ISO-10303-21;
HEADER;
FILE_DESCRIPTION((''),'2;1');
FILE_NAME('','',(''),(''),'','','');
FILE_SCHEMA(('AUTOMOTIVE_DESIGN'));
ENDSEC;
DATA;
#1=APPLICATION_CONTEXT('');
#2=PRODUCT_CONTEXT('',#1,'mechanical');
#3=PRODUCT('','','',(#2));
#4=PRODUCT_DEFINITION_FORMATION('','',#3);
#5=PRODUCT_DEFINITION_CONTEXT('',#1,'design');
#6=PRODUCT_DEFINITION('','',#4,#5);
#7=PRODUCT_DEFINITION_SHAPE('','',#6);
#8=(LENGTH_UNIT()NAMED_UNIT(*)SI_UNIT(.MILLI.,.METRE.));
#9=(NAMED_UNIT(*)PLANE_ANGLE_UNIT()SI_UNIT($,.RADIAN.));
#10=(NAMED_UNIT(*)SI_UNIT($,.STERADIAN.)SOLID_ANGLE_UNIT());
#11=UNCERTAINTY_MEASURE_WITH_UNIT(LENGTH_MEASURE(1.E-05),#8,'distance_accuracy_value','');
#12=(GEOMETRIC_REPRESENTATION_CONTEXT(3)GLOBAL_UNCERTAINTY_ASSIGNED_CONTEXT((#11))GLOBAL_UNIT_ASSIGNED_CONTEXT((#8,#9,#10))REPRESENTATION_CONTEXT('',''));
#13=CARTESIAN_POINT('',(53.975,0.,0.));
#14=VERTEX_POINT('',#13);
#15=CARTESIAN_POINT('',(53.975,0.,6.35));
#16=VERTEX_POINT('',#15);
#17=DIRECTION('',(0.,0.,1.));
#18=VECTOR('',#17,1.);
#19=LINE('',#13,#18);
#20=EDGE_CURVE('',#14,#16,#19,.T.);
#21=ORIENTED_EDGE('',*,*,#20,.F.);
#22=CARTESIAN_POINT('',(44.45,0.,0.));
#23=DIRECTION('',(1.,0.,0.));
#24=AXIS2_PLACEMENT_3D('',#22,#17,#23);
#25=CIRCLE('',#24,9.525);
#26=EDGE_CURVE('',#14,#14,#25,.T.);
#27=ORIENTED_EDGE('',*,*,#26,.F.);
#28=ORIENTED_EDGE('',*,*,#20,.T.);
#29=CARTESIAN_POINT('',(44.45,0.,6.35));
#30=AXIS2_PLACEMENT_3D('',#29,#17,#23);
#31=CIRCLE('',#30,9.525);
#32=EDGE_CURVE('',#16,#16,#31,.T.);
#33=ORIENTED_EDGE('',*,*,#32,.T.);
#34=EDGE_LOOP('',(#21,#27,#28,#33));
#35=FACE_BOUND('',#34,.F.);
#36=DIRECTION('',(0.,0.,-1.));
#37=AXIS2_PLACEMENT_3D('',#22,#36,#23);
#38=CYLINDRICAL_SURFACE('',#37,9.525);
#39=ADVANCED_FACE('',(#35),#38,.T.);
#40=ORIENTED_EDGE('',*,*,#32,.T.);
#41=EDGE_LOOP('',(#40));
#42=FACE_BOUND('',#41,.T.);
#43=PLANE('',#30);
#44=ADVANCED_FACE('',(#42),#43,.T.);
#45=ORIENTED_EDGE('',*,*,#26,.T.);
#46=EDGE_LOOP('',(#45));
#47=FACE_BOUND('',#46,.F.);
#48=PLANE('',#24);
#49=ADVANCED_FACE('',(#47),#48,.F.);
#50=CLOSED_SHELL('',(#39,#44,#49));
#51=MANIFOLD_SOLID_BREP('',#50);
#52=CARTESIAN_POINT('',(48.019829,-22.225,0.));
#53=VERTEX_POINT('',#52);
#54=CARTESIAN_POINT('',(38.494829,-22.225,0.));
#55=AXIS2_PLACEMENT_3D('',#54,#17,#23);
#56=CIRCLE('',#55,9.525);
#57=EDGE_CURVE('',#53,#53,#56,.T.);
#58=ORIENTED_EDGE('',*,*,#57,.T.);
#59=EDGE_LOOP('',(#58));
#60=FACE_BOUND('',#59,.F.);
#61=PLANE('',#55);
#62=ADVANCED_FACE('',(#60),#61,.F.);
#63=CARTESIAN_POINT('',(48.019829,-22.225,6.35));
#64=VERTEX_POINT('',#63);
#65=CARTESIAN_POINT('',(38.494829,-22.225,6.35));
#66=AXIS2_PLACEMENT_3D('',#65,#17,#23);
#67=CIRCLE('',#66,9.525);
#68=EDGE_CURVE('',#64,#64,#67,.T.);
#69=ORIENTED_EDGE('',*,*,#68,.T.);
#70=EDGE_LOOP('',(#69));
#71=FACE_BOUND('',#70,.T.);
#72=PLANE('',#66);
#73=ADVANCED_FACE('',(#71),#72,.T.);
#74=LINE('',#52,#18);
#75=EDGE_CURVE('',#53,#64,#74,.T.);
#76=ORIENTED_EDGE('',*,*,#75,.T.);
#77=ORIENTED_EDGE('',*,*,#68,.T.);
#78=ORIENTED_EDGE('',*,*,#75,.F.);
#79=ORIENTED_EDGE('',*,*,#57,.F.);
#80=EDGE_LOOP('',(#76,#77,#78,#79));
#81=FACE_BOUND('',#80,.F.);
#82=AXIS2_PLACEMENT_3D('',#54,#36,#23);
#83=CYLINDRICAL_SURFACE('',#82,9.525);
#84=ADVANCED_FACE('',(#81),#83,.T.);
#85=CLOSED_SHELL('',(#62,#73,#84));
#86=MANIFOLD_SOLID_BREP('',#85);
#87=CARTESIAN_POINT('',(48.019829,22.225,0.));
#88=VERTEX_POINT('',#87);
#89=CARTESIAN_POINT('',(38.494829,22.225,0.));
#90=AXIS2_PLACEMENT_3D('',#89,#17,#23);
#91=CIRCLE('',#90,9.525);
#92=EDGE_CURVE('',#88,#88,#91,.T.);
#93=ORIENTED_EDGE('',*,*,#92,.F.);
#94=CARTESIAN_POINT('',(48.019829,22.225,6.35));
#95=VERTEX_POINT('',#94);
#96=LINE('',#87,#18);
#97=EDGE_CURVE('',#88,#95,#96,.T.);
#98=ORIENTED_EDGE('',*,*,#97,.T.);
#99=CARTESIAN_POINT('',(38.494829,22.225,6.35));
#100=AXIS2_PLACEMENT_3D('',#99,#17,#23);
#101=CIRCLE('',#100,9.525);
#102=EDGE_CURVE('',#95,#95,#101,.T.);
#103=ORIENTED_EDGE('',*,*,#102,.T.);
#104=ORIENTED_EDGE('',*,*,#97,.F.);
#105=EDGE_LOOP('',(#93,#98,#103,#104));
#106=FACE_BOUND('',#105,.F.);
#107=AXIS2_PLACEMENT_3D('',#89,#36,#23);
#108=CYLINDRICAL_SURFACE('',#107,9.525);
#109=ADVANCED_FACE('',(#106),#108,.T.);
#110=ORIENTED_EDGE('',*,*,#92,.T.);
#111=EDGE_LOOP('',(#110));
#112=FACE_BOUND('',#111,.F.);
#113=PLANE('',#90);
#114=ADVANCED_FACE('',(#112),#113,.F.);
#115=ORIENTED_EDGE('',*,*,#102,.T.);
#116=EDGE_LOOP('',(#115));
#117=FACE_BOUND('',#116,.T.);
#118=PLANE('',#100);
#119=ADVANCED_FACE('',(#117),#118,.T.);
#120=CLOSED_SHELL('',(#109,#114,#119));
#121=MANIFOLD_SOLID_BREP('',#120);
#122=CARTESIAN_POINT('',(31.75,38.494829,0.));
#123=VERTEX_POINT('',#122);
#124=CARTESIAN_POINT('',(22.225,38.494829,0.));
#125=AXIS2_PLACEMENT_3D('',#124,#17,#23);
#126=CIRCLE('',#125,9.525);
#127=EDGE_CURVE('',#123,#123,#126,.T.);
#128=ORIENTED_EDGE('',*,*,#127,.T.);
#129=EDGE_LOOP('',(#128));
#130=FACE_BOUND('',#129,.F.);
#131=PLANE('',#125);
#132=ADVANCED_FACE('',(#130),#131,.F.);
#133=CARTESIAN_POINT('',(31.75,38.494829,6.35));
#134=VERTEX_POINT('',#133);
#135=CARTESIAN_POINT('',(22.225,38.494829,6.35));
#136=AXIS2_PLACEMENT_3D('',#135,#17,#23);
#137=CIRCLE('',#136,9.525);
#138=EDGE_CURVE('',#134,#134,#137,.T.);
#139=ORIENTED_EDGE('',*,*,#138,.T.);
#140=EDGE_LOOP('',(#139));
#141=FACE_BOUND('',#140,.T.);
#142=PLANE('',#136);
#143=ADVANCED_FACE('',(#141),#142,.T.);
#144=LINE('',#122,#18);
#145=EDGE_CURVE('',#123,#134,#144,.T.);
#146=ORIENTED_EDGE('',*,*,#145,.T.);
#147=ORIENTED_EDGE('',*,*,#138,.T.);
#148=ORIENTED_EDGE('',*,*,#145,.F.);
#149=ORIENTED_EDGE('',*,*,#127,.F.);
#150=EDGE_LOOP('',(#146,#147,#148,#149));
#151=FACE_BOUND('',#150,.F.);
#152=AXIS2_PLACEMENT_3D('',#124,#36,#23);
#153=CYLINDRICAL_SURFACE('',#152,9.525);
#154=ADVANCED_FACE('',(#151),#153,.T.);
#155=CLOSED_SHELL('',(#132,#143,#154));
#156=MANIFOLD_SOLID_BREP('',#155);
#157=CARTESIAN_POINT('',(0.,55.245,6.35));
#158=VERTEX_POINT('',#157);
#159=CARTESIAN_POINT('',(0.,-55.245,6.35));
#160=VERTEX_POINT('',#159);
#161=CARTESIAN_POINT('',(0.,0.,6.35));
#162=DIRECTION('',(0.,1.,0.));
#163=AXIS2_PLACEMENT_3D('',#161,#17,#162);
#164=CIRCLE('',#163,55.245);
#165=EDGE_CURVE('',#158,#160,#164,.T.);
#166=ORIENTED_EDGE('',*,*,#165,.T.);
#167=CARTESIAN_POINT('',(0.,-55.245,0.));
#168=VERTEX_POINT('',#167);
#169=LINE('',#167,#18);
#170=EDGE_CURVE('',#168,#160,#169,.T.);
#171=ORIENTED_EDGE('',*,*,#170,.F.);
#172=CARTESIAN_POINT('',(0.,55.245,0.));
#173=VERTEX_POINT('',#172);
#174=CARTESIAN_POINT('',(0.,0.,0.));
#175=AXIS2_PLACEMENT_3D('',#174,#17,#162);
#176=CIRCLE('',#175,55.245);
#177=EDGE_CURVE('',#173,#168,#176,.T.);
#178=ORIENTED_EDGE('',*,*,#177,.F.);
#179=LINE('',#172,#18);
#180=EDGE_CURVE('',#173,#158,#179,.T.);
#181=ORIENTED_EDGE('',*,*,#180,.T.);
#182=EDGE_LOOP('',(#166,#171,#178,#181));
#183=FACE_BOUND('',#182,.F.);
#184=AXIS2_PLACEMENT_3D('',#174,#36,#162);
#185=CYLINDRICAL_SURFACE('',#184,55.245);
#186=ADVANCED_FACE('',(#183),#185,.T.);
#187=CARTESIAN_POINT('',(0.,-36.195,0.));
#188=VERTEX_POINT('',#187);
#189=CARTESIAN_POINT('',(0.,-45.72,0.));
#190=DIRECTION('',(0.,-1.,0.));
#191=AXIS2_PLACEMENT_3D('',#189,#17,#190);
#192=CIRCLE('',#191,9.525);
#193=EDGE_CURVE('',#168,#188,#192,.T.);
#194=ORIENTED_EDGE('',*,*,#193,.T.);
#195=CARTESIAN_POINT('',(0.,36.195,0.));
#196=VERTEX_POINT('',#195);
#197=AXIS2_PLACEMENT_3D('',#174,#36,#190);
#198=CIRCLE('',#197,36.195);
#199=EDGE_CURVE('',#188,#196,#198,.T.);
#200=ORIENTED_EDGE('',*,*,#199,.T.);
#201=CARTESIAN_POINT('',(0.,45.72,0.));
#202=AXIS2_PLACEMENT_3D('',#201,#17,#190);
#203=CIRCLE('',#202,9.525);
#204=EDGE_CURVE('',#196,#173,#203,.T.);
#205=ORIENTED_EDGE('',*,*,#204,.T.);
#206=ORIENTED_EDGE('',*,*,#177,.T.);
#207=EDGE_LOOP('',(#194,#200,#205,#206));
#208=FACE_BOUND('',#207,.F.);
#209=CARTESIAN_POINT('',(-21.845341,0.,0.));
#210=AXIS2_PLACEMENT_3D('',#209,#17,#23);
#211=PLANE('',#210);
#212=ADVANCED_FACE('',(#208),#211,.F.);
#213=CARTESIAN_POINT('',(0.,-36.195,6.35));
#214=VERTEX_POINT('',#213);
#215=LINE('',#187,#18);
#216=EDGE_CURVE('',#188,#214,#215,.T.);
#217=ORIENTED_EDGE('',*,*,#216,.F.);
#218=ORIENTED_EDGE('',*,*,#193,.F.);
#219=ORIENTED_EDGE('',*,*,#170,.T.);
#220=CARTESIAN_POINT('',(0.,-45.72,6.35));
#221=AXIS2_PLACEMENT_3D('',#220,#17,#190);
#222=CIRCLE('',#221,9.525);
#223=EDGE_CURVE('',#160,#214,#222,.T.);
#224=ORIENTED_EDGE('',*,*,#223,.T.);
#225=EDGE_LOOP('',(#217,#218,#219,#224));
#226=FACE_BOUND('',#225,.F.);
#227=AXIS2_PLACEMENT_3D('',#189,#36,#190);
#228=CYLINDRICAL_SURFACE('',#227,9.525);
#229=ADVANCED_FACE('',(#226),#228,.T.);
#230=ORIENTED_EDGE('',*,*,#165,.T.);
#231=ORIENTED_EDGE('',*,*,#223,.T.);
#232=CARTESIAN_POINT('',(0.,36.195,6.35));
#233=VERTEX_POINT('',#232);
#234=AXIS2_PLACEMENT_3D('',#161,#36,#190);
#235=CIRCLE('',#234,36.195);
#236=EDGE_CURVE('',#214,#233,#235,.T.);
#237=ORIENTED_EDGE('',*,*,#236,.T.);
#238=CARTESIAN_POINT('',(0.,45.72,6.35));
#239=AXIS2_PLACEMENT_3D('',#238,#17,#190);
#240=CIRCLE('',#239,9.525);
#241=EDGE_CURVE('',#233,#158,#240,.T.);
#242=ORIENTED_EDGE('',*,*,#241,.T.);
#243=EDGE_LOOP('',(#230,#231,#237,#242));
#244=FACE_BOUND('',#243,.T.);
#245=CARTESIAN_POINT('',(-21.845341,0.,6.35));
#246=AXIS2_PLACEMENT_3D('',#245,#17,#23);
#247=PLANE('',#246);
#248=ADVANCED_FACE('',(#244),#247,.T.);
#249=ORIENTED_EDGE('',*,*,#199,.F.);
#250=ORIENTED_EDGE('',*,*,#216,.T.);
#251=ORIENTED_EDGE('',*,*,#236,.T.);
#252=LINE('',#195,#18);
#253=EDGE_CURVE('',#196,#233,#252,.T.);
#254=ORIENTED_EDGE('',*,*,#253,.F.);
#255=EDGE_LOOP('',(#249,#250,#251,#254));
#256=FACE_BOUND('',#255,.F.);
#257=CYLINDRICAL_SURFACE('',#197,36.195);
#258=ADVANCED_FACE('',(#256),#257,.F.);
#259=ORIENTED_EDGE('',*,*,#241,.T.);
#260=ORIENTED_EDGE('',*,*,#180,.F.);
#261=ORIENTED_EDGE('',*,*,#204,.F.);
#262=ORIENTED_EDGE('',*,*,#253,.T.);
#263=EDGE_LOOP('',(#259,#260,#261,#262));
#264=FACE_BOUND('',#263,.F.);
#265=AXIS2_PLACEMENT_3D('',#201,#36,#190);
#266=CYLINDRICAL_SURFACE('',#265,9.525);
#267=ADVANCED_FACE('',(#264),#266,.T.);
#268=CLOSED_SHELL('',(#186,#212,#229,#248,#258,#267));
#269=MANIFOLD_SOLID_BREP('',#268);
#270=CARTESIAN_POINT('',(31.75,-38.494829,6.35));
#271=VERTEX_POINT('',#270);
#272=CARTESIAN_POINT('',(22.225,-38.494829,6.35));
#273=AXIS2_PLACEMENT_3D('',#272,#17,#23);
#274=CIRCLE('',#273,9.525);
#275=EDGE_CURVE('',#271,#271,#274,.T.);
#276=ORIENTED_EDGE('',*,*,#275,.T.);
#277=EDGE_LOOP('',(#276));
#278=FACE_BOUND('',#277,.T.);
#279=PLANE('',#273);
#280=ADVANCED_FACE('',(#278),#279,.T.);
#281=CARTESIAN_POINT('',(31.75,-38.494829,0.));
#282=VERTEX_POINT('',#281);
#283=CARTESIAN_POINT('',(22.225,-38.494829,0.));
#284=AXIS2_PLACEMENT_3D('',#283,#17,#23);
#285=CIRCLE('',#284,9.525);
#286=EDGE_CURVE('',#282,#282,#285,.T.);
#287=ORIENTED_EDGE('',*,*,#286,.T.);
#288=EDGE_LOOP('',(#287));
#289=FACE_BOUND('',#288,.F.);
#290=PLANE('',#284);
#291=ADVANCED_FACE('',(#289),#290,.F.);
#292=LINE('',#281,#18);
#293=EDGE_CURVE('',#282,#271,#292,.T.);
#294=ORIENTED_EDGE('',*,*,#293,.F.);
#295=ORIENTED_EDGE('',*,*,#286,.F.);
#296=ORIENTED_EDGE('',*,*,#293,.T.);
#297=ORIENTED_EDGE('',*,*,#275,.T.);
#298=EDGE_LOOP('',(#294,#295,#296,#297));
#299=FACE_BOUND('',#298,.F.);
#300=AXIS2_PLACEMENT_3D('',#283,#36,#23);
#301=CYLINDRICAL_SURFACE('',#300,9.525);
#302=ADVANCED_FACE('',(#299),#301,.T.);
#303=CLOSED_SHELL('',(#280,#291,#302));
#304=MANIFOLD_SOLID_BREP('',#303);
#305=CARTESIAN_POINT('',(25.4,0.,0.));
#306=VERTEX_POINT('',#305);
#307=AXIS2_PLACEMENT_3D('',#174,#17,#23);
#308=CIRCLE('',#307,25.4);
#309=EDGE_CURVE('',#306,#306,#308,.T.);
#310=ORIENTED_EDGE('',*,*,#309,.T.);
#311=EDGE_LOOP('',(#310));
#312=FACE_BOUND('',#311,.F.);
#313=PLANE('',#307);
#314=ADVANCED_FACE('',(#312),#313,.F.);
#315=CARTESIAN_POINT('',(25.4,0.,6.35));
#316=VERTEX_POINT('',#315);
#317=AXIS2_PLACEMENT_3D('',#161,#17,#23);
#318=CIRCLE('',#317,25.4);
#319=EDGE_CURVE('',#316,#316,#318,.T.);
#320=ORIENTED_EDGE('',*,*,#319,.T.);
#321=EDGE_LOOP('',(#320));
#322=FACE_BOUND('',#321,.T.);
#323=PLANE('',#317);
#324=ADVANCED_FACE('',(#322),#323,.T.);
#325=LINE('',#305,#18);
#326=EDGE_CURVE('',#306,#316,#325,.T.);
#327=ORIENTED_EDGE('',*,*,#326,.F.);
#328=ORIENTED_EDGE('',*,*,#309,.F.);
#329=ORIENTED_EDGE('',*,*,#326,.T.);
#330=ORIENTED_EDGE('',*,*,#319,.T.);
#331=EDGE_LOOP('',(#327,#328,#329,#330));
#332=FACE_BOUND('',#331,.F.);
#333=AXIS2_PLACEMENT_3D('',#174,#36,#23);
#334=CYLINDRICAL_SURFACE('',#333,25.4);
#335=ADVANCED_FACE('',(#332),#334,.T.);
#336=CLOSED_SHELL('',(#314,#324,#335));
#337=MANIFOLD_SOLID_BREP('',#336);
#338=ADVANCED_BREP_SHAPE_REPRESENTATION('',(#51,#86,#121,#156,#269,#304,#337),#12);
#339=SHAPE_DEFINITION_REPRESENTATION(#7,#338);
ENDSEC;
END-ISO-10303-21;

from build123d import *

# Parameters (mm, degrees)
F0_R     = 25.4
F0_R_2   = 9.525
F1_DEPTH = 6.35


with BuildPart() as f1:
    # F0 (on Top) → F1 (new body)
    with BuildSketch(Plane.XY):
        with BuildLine():
            ThreePointArc((0, 36.195), (9.525, 45.72), (0, 55.245))
            ThreePointArc((0, 55.245), (-55.245, 0), (0, -55.245))
            ThreePointArc((0, -55.245), (9.525, -45.72), (0, -36.195))
            ThreePointArc((0, -36.195), (-36.195, 0), (0, 36.195))
        make_face()
        Circle(F0_R)
        with Locations((22.225, -38.494829)):
            Circle(F0_R_2)
        with Locations((38.494829, -22.225)):
            Circle(F0_R_2)
        with Locations((44.45, 0)):
            Circle(F0_R_2)
        with Locations((38.494829, 22.225)):
            Circle(F0_R_2)
        with Locations((22.225, 38.494829)):
            Circle(F0_R_2)
    extrude(amount=F1_DEPTH)


solid = f1.part
